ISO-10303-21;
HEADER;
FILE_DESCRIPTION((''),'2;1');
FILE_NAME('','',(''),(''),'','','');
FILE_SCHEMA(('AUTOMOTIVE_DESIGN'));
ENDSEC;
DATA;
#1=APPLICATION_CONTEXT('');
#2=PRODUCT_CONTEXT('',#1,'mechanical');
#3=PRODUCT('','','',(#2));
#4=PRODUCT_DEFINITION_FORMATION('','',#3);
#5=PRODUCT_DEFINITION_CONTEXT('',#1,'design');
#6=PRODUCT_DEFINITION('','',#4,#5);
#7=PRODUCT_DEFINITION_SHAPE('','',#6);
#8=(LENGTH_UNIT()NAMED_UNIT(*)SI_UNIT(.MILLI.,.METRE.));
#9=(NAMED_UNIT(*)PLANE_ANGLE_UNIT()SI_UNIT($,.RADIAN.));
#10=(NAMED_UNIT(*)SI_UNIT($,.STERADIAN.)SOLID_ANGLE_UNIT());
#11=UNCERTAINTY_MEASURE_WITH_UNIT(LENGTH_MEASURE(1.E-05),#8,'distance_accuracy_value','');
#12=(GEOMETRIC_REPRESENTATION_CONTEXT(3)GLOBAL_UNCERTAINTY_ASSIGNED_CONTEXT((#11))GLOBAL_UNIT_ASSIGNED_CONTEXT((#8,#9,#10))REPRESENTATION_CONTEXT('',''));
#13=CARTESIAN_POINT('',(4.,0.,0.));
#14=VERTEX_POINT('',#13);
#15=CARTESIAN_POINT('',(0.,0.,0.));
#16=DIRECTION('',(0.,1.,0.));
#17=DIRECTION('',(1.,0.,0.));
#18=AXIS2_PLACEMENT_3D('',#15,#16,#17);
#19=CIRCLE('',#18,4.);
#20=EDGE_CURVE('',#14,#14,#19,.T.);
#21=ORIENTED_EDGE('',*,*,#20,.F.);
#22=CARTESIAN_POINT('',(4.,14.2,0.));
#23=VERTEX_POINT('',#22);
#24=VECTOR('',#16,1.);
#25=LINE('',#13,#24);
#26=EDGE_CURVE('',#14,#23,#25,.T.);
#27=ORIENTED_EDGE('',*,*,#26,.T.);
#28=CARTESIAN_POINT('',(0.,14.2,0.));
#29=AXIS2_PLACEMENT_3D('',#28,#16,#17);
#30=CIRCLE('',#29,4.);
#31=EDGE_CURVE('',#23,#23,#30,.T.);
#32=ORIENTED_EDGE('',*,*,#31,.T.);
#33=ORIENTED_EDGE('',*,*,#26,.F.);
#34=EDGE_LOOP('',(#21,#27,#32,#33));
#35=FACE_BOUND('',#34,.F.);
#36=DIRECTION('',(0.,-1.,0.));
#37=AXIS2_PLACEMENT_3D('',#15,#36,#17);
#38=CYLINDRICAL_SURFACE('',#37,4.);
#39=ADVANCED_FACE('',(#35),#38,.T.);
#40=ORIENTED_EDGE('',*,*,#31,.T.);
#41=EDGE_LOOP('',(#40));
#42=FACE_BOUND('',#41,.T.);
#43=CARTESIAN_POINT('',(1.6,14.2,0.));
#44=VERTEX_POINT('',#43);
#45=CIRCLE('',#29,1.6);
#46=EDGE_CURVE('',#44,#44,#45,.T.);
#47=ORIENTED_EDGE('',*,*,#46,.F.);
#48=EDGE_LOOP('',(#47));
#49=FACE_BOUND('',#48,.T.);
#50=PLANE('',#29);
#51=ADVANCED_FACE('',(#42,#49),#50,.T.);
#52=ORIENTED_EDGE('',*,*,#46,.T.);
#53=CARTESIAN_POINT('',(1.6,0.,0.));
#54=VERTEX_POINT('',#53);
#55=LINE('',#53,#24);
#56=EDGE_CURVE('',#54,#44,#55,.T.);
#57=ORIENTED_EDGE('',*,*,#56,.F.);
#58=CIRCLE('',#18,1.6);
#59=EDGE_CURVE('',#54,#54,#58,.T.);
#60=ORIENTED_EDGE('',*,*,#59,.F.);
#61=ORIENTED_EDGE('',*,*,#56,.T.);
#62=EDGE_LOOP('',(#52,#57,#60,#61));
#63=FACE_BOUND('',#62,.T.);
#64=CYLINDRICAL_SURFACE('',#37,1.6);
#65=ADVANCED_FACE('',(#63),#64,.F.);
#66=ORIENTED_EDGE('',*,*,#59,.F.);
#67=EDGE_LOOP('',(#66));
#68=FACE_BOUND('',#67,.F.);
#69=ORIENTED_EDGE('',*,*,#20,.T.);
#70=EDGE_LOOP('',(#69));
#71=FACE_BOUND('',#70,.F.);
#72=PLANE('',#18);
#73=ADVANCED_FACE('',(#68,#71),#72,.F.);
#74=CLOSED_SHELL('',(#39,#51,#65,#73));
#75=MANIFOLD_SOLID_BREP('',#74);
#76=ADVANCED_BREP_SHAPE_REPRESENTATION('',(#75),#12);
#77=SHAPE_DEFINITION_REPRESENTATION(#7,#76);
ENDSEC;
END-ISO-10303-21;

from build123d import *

# Parameters (mm, degrees)
SKETCH_1_R      = 4
SKETCH_1_R_2    = 1.6
EXTRUDE_1_DEPTH = 14.2


with BuildPart() as part:
    # 草图1 → 凸台-拉伸1 (new body)
    with BuildSketch(Plane(origin=(0, 0, 0), x_dir=(1, 0, 0), z_dir=(0, 1, 0))):
        Circle(SKETCH_1_R)
        Circle(SKETCH_1_R_2, mode=Mode.SUBTRACT)
    extrude(amount=EXTRUDE_1_DEPTH)


solid = part.part
